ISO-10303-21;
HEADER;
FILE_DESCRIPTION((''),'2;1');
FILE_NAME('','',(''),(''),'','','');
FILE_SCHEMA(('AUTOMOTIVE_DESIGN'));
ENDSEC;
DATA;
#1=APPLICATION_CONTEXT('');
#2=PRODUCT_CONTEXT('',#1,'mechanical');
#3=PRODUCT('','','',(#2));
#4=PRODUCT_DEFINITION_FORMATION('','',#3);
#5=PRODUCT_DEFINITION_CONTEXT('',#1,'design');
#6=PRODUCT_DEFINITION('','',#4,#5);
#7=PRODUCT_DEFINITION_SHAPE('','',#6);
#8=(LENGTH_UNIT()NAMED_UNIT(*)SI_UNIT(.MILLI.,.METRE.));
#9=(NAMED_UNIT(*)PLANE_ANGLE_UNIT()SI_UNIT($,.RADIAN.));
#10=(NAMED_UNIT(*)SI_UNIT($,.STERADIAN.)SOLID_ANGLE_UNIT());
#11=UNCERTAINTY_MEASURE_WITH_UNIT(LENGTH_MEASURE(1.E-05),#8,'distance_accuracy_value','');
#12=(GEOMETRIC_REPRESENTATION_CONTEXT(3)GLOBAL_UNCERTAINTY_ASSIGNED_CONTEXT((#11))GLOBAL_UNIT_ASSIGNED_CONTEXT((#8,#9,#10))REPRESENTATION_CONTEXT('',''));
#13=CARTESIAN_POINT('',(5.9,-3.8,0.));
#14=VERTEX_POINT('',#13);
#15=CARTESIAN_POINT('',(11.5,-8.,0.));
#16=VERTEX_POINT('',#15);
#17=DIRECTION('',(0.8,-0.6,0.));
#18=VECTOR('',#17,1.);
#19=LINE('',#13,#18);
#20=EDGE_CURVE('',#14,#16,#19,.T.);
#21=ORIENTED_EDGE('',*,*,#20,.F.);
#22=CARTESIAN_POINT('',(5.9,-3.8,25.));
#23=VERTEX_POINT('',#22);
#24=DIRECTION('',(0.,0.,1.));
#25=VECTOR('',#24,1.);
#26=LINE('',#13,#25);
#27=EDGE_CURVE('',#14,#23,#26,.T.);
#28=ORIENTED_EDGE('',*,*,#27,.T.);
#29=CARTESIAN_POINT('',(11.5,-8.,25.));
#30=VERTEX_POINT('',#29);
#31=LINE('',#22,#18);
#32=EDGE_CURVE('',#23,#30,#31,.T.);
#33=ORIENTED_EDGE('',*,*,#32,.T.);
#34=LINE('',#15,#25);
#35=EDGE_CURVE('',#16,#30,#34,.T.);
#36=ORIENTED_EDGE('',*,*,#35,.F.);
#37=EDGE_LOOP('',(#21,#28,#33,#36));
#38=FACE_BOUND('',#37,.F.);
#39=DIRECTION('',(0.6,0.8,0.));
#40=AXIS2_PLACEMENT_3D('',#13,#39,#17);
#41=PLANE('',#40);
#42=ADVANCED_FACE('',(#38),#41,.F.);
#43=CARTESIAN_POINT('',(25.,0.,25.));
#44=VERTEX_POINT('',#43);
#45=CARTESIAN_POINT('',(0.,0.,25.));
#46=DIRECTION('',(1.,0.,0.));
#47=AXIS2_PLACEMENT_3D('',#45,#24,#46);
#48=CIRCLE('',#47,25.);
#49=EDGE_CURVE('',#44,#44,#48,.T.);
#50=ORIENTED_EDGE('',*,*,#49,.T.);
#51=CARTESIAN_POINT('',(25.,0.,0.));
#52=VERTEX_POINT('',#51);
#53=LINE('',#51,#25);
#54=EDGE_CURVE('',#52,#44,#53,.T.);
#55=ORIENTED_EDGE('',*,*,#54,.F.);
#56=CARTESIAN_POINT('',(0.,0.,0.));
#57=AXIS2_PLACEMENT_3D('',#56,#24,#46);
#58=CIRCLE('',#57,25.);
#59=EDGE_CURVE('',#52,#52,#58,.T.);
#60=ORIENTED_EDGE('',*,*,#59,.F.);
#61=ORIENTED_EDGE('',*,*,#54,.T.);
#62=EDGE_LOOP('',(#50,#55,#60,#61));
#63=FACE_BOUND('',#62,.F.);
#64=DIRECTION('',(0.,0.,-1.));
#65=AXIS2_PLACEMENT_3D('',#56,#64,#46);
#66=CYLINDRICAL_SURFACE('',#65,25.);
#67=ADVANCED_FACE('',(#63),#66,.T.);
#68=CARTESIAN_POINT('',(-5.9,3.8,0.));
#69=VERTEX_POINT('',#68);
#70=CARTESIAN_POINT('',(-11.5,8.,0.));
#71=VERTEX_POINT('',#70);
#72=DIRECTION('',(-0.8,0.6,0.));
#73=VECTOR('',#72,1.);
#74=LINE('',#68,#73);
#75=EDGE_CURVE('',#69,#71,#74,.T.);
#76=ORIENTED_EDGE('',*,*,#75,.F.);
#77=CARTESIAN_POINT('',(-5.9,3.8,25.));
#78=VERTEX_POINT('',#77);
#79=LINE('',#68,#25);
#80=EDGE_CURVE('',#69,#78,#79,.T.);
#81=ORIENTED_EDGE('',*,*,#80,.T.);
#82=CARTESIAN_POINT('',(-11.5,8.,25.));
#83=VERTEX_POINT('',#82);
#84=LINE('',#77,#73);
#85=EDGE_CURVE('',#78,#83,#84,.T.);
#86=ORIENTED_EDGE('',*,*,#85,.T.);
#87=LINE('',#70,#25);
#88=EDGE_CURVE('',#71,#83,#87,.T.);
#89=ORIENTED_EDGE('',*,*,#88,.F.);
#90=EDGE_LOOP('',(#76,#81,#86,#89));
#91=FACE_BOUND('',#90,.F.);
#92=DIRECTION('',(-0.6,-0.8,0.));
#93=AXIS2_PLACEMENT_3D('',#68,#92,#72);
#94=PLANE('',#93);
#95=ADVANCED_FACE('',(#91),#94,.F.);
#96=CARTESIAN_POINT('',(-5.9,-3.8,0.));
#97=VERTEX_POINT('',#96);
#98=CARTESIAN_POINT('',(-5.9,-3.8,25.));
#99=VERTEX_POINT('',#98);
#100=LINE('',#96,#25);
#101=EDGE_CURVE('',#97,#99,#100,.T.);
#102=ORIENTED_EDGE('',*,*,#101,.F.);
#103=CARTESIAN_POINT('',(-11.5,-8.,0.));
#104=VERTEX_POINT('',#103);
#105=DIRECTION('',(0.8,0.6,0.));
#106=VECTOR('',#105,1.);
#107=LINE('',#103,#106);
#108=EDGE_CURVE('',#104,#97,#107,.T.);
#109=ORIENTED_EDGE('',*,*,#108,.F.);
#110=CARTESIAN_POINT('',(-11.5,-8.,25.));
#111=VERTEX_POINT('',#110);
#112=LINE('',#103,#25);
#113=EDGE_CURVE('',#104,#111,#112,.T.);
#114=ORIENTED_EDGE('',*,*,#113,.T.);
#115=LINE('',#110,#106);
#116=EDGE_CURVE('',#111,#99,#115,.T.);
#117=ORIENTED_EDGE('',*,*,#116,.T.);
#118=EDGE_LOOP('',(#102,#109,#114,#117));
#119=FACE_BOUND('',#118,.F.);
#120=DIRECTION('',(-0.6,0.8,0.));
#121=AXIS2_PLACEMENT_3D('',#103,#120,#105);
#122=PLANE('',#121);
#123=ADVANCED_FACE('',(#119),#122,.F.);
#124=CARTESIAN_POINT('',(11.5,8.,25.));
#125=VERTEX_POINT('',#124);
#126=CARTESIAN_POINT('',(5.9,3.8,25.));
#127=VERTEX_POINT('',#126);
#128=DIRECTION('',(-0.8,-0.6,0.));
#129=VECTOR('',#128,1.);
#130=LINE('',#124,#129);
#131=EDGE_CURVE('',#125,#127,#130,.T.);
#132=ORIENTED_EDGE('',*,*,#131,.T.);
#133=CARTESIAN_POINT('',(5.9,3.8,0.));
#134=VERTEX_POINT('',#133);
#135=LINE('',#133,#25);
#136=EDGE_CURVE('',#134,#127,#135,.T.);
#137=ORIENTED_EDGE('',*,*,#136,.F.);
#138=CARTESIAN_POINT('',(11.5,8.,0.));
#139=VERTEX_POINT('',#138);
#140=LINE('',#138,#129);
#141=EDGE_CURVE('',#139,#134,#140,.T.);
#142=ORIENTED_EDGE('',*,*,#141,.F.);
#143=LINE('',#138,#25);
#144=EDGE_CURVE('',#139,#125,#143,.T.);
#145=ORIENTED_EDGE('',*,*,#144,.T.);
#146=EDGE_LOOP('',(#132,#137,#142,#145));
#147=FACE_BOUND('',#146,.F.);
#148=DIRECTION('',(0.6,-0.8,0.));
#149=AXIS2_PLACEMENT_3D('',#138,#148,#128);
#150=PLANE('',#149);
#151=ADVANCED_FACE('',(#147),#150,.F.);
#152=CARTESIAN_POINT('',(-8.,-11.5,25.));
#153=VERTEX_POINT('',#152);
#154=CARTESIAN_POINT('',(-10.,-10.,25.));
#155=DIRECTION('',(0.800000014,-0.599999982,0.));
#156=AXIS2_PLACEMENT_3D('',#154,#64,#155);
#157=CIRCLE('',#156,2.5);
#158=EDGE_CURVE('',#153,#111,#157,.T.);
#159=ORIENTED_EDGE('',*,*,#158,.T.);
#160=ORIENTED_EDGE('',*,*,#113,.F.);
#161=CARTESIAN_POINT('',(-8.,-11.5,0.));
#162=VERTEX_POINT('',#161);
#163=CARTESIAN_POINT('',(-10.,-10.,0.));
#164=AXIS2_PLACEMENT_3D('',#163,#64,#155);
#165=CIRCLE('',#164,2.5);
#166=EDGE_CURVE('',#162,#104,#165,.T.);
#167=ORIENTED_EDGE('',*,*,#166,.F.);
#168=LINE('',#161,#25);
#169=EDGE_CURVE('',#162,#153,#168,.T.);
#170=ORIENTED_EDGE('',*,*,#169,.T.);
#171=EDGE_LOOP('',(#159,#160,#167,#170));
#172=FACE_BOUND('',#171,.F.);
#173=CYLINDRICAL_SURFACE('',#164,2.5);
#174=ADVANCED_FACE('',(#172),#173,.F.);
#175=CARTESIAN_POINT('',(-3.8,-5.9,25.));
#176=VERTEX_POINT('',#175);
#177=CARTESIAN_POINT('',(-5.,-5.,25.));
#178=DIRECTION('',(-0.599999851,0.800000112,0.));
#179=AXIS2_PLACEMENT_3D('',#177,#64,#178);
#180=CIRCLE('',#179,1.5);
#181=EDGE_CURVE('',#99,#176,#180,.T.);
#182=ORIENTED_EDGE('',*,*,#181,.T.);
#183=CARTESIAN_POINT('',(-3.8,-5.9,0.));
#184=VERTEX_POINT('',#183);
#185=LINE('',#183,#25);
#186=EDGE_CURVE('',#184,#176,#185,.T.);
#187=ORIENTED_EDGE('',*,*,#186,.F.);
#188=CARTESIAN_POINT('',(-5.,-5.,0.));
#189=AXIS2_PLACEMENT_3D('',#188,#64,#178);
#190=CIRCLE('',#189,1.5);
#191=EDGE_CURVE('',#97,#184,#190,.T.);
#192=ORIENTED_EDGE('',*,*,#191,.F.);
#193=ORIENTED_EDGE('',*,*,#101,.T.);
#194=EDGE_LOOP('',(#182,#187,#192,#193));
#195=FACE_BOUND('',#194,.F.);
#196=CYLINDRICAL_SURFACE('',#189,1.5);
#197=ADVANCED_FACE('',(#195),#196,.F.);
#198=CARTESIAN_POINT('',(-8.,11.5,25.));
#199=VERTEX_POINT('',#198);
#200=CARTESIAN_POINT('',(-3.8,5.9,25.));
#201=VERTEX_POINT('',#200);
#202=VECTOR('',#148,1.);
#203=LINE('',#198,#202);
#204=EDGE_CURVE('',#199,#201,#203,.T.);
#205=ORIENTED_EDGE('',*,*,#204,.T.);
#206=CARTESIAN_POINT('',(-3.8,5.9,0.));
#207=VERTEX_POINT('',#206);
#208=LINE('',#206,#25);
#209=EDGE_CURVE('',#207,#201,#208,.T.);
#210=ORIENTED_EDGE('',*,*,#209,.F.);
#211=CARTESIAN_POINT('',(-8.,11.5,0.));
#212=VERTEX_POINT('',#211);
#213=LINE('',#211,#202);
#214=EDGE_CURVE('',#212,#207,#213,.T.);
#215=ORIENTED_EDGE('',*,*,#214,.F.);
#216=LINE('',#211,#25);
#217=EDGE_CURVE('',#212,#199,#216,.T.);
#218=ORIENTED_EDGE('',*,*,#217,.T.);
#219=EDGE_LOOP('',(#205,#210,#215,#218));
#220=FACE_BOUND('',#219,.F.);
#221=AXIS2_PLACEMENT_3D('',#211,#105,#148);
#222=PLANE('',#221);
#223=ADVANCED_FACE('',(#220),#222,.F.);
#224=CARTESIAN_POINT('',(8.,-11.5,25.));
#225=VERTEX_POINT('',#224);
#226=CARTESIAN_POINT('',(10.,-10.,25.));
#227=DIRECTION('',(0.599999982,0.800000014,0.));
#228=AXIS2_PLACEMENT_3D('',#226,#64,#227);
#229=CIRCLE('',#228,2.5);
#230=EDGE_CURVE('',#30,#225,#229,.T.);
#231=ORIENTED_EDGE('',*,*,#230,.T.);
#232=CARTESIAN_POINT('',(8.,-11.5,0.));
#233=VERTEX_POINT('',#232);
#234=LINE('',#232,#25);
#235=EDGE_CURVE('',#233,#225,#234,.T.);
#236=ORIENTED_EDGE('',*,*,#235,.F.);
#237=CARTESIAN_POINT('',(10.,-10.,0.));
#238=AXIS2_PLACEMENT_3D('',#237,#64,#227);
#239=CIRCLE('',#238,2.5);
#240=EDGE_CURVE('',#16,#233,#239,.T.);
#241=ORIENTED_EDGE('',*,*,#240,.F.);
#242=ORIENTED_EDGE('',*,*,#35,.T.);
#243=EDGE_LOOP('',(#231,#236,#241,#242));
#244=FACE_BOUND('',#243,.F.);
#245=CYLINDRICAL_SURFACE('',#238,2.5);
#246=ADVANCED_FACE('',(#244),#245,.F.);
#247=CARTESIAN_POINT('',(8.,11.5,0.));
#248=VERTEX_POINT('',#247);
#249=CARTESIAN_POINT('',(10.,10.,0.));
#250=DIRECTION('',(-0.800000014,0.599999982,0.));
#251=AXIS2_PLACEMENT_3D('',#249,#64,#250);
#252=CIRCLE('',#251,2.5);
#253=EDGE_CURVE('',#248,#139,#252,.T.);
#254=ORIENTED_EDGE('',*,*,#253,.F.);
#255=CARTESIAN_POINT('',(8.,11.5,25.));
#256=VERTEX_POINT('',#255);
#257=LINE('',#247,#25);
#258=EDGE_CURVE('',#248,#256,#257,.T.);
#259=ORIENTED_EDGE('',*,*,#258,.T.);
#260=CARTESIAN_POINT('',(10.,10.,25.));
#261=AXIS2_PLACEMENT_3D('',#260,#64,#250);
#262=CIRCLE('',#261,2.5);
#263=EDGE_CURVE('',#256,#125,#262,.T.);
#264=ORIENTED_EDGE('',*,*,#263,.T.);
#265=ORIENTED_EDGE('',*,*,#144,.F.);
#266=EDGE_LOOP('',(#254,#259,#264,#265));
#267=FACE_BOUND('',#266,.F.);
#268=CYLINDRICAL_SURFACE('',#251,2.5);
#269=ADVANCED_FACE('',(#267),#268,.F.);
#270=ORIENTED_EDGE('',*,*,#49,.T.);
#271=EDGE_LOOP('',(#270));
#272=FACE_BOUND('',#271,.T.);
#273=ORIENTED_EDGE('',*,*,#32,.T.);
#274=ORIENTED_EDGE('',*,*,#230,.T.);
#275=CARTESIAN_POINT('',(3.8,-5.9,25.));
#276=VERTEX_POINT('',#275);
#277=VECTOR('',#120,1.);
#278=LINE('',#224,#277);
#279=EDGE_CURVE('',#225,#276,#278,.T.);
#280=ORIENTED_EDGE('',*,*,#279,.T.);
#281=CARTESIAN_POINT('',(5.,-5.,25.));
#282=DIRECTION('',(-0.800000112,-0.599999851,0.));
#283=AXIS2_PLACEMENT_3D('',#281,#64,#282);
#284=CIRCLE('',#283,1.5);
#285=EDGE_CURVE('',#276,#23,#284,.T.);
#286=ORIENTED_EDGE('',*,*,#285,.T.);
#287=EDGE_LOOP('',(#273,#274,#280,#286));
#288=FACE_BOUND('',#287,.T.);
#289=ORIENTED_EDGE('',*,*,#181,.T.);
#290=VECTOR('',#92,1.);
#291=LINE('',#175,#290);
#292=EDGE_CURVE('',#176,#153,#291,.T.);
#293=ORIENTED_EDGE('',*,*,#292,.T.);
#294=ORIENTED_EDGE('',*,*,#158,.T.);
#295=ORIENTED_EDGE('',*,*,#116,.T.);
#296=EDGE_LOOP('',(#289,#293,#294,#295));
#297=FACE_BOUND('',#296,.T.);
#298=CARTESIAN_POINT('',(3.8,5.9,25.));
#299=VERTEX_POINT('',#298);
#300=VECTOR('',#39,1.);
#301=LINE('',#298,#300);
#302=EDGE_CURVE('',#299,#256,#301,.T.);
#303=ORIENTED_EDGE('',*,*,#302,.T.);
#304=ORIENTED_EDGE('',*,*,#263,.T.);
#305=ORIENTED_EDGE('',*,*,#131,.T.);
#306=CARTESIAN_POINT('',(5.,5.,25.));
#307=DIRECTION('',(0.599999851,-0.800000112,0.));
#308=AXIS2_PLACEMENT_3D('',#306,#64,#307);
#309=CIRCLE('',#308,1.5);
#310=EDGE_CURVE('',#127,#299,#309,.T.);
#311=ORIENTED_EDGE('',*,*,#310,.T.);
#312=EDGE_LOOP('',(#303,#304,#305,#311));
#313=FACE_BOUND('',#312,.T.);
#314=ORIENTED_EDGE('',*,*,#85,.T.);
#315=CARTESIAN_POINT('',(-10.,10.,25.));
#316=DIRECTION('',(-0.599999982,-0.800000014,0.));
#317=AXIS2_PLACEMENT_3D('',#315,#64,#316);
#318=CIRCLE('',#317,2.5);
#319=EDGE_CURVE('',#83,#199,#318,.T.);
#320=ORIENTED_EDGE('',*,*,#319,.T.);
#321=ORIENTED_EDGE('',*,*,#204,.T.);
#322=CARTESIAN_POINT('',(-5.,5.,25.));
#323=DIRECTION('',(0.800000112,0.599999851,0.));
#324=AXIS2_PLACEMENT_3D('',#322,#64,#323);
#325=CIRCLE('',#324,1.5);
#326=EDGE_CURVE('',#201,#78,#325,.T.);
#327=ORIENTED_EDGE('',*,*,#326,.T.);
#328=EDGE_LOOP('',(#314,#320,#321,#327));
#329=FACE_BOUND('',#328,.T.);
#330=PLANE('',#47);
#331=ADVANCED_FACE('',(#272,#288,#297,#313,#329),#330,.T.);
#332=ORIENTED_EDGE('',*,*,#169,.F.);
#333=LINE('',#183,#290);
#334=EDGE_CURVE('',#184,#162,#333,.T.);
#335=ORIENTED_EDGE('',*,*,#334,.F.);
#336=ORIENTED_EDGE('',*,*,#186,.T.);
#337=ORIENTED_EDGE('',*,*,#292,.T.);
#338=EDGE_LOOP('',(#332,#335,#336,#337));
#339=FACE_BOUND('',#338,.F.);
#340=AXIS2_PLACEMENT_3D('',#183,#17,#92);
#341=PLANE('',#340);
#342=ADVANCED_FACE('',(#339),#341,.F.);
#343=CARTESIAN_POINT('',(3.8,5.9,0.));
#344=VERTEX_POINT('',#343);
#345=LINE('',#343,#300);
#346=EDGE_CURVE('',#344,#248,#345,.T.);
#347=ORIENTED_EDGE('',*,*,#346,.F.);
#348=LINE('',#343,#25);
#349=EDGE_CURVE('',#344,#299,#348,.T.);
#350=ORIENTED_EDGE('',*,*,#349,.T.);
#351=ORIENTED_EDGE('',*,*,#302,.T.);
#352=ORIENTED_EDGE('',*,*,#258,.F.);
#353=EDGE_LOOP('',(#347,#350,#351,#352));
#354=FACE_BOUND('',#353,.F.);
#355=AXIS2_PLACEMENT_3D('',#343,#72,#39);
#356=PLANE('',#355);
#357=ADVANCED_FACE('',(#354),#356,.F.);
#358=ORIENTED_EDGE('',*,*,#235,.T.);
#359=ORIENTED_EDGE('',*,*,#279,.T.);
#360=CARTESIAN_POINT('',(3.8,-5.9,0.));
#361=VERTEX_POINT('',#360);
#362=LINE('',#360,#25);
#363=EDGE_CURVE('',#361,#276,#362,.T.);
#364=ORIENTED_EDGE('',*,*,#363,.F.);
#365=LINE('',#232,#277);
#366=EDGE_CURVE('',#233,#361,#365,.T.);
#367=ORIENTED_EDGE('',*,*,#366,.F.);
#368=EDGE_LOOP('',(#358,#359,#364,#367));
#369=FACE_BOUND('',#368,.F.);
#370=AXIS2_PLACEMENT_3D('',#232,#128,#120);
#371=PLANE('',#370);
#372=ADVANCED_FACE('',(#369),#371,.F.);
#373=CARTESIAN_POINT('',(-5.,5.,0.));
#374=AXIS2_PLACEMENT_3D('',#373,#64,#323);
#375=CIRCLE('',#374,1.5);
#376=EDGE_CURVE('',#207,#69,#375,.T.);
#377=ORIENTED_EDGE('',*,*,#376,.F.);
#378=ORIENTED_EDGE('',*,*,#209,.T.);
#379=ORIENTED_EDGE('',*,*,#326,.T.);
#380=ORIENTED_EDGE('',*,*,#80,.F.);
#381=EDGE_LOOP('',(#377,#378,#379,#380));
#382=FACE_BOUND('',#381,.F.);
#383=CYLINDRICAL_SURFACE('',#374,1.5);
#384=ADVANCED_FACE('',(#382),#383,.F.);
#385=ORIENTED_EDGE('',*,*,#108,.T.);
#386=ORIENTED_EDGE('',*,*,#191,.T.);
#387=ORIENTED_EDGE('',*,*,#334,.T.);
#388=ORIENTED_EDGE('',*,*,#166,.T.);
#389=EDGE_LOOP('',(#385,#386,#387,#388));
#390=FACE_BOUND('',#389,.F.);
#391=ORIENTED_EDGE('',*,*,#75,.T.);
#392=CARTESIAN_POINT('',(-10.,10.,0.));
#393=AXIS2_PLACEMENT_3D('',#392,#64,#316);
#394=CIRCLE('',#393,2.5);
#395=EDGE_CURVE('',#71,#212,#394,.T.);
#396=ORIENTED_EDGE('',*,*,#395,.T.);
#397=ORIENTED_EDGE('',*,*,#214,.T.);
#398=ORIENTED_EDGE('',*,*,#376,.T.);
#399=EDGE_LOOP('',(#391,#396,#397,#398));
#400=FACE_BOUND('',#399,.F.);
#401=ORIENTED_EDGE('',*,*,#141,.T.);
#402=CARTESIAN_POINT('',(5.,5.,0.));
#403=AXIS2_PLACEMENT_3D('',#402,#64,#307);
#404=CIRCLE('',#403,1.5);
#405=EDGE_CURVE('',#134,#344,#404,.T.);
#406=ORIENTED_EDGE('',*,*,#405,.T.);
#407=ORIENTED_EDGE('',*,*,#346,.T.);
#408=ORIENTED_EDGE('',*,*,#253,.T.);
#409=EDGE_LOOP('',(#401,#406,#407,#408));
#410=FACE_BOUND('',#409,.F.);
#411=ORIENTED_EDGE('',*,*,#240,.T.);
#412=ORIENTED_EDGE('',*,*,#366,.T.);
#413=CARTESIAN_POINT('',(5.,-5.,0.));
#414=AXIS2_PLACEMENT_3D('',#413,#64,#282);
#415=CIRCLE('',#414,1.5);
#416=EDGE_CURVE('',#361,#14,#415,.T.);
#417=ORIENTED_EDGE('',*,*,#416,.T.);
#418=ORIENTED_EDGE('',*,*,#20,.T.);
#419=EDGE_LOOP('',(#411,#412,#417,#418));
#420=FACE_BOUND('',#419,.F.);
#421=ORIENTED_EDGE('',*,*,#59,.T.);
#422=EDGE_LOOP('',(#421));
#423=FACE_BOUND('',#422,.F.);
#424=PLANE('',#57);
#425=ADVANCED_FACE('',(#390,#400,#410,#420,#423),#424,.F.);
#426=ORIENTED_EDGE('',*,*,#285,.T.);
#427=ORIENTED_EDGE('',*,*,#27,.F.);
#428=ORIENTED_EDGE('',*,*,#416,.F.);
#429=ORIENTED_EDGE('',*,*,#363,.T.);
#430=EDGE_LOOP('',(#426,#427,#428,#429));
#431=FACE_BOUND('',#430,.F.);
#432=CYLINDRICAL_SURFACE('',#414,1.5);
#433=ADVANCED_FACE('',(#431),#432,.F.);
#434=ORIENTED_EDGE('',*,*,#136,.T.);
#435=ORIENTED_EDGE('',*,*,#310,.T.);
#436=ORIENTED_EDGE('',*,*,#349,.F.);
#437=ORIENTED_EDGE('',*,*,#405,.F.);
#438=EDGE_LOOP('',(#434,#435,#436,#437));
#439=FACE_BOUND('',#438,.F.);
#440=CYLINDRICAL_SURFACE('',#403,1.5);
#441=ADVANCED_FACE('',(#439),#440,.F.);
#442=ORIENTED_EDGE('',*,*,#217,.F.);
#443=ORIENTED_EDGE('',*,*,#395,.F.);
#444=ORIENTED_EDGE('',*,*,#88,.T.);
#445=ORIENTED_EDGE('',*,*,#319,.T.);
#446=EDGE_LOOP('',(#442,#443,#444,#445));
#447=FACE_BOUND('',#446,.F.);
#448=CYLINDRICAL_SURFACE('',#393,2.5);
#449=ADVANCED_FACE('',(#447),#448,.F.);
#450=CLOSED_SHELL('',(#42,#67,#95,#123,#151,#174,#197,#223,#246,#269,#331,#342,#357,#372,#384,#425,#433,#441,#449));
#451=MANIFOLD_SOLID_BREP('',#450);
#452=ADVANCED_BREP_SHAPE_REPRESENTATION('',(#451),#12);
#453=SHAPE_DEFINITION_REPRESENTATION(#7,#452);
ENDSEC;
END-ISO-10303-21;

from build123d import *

# Parameters (mm, degrees)
F0_R     = 25
F1_DEPTH = 25


with BuildPart() as f1:
    # F0 (on Top) → F1 (new body)
    with BuildSketch(Plane.XY):
        Circle(F0_R)
        with BuildLine():
            Line((-11.5, -8), (-5.9, -3.8))
            ThreePointArc((-5.9, -3.8), (-3.93934, -3.93934), (-3.8, -5.9))
            Line((-3.8, -5.9), (-8, -11.5))
            ThreePointArc((-8, -11.5), (-11.767767, -11.767767), (-11.5, -8))
        make_face(mode=Mode.SUBTRACT)
        with BuildLine():
            ThreePointArc((11.5, -8), (11.767767, -11.767767), (8, -11.5))
            Line((8, -11.5), (3.8, -5.9))
            ThreePointArc((3.8, -5.9), (3.93934, -3.93934), (5.9, -3.8))
            Line((5.9, -3.8), (11.5, -8))
        make_face(mode=Mode.SUBTRACT)
        with BuildLine():
            ThreePointArc((-11.5, 8), (-11.767767, 11.767767), (-8, 11.5))
            Line((-8, 11.5), (-3.8, 5.9))
            ThreePointArc((-3.8, 5.9), (-3.93934, 3.93934), (-5.9, 3.8))
            Line((-5.9, 3.8), (-11.5, 8))
        make_face(mode=Mode.SUBTRACT)
        with BuildLine():
            Line((3.8, 5.9), (8, 11.5))
            ThreePointArc((8, 11.5), (11.767767, 11.767767), (11.5, 8))
            Line((11.5, 8), (5.9, 3.8))
            ThreePointArc((5.9, 3.8), (3.93934, 3.93934), (3.8, 5.9))
        make_face(mode=Mode.SUBTRACT)
    extrude(amount=F1_DEPTH)


solid = f1.part
